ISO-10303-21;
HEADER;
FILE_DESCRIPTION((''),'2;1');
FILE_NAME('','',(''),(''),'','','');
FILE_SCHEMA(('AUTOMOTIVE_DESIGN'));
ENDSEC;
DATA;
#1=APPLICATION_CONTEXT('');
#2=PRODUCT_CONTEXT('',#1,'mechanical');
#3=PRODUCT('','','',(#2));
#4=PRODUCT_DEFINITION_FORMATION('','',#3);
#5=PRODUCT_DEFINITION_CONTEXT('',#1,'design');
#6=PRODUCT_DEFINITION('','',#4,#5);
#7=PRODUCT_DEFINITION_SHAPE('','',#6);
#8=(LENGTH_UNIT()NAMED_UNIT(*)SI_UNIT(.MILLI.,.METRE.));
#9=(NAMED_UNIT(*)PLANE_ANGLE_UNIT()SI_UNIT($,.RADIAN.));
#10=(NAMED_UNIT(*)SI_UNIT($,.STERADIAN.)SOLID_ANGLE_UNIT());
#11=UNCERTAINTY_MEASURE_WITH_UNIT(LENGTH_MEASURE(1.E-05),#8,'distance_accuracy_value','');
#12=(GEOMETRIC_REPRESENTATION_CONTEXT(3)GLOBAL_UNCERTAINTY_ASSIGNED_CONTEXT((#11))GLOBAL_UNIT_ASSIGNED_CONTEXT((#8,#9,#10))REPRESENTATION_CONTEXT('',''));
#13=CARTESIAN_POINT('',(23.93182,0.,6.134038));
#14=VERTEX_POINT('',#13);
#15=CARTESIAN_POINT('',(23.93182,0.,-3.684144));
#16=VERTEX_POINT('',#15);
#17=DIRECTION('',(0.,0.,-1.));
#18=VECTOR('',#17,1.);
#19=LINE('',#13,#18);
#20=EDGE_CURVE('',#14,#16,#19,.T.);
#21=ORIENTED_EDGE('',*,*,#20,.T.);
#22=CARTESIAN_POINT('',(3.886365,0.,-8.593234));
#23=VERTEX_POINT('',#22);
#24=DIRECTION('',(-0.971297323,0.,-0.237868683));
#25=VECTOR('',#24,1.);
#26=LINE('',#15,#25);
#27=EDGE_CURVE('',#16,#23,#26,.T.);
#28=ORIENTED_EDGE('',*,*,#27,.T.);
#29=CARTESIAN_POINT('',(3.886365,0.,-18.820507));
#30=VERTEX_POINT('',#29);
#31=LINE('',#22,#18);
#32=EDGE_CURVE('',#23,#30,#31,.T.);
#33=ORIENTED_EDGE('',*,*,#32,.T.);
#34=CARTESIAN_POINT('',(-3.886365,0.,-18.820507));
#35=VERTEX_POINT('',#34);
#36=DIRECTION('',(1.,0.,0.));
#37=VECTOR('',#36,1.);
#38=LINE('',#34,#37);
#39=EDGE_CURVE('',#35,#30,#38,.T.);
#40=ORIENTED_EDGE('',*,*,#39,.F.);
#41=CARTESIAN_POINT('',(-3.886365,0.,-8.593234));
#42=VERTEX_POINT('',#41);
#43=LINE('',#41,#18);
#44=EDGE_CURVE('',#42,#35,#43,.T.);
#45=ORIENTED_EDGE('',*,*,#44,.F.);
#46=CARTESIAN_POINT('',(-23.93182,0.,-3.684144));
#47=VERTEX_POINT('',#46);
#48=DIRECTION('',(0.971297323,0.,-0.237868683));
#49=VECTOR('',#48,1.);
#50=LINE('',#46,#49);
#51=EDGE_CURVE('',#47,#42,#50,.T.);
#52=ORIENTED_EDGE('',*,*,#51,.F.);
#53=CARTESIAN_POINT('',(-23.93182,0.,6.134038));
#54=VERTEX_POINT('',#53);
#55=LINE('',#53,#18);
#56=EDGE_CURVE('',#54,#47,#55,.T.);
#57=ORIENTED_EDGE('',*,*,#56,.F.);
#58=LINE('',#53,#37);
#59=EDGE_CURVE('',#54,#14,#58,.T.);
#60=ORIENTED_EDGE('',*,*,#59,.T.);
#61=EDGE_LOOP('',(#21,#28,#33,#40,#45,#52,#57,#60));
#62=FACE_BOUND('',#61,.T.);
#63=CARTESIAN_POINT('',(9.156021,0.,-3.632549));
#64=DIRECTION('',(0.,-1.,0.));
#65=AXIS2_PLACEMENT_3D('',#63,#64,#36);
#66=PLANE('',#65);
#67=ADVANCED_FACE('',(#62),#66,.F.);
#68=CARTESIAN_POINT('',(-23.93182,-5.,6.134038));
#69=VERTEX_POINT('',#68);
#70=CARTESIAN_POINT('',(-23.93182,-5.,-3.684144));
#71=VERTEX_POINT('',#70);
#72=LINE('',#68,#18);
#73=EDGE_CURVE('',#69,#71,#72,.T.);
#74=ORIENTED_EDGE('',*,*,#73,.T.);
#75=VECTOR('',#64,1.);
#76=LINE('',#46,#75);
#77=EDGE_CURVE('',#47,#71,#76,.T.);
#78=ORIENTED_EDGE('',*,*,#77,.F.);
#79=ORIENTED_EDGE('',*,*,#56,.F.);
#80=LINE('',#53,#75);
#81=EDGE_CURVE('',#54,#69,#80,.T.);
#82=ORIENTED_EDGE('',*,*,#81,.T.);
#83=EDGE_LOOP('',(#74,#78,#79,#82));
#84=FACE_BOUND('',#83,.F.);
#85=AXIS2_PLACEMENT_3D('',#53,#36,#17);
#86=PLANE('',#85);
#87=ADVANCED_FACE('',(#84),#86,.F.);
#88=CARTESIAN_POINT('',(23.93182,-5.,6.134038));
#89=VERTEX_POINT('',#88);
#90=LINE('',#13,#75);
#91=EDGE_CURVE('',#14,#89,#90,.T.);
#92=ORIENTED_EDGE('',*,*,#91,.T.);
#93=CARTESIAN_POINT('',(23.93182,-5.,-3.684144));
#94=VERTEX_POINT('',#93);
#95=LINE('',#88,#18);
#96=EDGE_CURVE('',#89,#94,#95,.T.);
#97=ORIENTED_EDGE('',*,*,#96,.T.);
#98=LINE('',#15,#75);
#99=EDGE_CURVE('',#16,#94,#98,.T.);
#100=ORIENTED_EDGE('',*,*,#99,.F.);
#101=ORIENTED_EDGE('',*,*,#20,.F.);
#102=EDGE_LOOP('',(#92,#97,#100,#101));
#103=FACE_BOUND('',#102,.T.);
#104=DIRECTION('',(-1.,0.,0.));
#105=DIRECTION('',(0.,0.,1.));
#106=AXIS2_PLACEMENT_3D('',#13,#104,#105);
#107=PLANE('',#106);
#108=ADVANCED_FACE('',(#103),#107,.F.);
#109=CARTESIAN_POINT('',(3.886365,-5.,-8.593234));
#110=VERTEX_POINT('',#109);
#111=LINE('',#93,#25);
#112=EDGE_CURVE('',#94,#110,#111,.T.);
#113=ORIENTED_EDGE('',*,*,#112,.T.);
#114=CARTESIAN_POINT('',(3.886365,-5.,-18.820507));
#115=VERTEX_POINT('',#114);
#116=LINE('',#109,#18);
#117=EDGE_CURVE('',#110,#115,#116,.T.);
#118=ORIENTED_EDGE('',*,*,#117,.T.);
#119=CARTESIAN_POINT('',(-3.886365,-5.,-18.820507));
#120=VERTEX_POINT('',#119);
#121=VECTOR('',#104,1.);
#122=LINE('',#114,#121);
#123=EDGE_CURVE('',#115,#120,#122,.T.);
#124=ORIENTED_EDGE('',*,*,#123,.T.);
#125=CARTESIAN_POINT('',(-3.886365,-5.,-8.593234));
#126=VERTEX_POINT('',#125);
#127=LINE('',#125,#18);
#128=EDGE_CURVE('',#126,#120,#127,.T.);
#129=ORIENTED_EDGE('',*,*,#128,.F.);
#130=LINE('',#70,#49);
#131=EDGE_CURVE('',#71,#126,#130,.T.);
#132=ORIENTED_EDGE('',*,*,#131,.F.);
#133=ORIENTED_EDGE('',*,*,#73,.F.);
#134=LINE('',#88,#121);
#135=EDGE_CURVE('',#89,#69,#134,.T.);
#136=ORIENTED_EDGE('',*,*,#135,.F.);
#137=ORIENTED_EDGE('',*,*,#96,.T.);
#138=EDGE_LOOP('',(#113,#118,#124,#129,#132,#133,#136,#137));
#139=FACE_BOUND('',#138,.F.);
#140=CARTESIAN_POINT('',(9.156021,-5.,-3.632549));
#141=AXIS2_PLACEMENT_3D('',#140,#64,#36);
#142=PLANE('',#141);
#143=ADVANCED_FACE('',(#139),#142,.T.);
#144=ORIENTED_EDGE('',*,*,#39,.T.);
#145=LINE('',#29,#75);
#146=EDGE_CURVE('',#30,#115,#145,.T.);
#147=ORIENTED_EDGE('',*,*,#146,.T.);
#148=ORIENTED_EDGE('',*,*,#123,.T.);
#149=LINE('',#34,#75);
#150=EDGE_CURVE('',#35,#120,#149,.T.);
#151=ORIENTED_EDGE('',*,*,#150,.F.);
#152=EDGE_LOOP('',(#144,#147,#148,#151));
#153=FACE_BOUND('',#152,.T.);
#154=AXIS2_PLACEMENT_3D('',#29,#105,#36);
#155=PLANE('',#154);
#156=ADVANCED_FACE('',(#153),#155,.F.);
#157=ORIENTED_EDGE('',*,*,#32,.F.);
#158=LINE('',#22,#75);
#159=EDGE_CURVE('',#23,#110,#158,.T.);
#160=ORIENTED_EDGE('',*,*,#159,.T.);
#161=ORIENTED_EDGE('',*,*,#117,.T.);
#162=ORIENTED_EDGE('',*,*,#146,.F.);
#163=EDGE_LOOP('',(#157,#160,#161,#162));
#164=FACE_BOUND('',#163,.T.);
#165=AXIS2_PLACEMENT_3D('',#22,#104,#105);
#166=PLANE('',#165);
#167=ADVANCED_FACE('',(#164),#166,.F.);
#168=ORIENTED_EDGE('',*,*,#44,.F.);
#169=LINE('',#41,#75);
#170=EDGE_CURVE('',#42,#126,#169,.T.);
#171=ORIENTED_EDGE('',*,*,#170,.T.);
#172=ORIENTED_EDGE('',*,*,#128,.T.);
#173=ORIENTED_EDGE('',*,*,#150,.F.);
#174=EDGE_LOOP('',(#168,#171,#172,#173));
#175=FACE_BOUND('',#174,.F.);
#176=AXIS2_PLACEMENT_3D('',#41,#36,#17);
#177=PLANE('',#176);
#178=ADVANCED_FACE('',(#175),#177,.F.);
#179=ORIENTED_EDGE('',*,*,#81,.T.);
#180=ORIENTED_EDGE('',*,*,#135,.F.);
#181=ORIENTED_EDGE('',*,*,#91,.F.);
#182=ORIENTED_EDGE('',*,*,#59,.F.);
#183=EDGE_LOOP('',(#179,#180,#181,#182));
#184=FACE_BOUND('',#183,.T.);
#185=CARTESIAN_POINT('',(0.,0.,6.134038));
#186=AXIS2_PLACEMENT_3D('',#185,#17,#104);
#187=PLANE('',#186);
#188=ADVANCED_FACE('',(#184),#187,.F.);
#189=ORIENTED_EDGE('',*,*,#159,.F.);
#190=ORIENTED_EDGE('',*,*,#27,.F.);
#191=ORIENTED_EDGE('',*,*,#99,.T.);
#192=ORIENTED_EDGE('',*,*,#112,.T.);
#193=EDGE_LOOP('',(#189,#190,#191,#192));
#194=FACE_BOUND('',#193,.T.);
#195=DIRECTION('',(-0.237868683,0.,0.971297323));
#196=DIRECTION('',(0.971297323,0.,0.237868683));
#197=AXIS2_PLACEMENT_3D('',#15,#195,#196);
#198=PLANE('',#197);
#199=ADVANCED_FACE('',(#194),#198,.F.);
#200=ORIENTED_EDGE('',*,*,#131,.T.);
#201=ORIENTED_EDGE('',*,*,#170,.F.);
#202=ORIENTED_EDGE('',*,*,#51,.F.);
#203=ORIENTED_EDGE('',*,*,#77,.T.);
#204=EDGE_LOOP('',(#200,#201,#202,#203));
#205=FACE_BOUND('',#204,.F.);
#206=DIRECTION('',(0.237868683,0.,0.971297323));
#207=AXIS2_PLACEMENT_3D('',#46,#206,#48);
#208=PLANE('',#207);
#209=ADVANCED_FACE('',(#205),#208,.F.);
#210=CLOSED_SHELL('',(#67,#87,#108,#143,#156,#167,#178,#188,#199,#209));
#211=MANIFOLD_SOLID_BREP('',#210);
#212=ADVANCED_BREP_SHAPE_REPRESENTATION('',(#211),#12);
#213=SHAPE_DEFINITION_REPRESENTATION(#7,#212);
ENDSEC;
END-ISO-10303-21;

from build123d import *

# Parameters (mm, degrees)
F1_DEPTH = 5


with BuildPart() as f1:
    # F0 (on Front) → F1 (new body)
    with BuildSketch(Plane.XZ):
        Polygon((-3.886365, -18.820507), (0, -18.820507), (0, 6.134038), (-23.93182, 6.134038), (-23.93182, -3.684144), (-3.886365, -8.593234), align=None)
    extrude(amount=F1_DEPTH)

    # F2: F1 across plane


with BuildPart() as f1_1:
    add(f1.part)
    add(f1.part.mirror(Plane.YZ))


solid = f1_1.part
